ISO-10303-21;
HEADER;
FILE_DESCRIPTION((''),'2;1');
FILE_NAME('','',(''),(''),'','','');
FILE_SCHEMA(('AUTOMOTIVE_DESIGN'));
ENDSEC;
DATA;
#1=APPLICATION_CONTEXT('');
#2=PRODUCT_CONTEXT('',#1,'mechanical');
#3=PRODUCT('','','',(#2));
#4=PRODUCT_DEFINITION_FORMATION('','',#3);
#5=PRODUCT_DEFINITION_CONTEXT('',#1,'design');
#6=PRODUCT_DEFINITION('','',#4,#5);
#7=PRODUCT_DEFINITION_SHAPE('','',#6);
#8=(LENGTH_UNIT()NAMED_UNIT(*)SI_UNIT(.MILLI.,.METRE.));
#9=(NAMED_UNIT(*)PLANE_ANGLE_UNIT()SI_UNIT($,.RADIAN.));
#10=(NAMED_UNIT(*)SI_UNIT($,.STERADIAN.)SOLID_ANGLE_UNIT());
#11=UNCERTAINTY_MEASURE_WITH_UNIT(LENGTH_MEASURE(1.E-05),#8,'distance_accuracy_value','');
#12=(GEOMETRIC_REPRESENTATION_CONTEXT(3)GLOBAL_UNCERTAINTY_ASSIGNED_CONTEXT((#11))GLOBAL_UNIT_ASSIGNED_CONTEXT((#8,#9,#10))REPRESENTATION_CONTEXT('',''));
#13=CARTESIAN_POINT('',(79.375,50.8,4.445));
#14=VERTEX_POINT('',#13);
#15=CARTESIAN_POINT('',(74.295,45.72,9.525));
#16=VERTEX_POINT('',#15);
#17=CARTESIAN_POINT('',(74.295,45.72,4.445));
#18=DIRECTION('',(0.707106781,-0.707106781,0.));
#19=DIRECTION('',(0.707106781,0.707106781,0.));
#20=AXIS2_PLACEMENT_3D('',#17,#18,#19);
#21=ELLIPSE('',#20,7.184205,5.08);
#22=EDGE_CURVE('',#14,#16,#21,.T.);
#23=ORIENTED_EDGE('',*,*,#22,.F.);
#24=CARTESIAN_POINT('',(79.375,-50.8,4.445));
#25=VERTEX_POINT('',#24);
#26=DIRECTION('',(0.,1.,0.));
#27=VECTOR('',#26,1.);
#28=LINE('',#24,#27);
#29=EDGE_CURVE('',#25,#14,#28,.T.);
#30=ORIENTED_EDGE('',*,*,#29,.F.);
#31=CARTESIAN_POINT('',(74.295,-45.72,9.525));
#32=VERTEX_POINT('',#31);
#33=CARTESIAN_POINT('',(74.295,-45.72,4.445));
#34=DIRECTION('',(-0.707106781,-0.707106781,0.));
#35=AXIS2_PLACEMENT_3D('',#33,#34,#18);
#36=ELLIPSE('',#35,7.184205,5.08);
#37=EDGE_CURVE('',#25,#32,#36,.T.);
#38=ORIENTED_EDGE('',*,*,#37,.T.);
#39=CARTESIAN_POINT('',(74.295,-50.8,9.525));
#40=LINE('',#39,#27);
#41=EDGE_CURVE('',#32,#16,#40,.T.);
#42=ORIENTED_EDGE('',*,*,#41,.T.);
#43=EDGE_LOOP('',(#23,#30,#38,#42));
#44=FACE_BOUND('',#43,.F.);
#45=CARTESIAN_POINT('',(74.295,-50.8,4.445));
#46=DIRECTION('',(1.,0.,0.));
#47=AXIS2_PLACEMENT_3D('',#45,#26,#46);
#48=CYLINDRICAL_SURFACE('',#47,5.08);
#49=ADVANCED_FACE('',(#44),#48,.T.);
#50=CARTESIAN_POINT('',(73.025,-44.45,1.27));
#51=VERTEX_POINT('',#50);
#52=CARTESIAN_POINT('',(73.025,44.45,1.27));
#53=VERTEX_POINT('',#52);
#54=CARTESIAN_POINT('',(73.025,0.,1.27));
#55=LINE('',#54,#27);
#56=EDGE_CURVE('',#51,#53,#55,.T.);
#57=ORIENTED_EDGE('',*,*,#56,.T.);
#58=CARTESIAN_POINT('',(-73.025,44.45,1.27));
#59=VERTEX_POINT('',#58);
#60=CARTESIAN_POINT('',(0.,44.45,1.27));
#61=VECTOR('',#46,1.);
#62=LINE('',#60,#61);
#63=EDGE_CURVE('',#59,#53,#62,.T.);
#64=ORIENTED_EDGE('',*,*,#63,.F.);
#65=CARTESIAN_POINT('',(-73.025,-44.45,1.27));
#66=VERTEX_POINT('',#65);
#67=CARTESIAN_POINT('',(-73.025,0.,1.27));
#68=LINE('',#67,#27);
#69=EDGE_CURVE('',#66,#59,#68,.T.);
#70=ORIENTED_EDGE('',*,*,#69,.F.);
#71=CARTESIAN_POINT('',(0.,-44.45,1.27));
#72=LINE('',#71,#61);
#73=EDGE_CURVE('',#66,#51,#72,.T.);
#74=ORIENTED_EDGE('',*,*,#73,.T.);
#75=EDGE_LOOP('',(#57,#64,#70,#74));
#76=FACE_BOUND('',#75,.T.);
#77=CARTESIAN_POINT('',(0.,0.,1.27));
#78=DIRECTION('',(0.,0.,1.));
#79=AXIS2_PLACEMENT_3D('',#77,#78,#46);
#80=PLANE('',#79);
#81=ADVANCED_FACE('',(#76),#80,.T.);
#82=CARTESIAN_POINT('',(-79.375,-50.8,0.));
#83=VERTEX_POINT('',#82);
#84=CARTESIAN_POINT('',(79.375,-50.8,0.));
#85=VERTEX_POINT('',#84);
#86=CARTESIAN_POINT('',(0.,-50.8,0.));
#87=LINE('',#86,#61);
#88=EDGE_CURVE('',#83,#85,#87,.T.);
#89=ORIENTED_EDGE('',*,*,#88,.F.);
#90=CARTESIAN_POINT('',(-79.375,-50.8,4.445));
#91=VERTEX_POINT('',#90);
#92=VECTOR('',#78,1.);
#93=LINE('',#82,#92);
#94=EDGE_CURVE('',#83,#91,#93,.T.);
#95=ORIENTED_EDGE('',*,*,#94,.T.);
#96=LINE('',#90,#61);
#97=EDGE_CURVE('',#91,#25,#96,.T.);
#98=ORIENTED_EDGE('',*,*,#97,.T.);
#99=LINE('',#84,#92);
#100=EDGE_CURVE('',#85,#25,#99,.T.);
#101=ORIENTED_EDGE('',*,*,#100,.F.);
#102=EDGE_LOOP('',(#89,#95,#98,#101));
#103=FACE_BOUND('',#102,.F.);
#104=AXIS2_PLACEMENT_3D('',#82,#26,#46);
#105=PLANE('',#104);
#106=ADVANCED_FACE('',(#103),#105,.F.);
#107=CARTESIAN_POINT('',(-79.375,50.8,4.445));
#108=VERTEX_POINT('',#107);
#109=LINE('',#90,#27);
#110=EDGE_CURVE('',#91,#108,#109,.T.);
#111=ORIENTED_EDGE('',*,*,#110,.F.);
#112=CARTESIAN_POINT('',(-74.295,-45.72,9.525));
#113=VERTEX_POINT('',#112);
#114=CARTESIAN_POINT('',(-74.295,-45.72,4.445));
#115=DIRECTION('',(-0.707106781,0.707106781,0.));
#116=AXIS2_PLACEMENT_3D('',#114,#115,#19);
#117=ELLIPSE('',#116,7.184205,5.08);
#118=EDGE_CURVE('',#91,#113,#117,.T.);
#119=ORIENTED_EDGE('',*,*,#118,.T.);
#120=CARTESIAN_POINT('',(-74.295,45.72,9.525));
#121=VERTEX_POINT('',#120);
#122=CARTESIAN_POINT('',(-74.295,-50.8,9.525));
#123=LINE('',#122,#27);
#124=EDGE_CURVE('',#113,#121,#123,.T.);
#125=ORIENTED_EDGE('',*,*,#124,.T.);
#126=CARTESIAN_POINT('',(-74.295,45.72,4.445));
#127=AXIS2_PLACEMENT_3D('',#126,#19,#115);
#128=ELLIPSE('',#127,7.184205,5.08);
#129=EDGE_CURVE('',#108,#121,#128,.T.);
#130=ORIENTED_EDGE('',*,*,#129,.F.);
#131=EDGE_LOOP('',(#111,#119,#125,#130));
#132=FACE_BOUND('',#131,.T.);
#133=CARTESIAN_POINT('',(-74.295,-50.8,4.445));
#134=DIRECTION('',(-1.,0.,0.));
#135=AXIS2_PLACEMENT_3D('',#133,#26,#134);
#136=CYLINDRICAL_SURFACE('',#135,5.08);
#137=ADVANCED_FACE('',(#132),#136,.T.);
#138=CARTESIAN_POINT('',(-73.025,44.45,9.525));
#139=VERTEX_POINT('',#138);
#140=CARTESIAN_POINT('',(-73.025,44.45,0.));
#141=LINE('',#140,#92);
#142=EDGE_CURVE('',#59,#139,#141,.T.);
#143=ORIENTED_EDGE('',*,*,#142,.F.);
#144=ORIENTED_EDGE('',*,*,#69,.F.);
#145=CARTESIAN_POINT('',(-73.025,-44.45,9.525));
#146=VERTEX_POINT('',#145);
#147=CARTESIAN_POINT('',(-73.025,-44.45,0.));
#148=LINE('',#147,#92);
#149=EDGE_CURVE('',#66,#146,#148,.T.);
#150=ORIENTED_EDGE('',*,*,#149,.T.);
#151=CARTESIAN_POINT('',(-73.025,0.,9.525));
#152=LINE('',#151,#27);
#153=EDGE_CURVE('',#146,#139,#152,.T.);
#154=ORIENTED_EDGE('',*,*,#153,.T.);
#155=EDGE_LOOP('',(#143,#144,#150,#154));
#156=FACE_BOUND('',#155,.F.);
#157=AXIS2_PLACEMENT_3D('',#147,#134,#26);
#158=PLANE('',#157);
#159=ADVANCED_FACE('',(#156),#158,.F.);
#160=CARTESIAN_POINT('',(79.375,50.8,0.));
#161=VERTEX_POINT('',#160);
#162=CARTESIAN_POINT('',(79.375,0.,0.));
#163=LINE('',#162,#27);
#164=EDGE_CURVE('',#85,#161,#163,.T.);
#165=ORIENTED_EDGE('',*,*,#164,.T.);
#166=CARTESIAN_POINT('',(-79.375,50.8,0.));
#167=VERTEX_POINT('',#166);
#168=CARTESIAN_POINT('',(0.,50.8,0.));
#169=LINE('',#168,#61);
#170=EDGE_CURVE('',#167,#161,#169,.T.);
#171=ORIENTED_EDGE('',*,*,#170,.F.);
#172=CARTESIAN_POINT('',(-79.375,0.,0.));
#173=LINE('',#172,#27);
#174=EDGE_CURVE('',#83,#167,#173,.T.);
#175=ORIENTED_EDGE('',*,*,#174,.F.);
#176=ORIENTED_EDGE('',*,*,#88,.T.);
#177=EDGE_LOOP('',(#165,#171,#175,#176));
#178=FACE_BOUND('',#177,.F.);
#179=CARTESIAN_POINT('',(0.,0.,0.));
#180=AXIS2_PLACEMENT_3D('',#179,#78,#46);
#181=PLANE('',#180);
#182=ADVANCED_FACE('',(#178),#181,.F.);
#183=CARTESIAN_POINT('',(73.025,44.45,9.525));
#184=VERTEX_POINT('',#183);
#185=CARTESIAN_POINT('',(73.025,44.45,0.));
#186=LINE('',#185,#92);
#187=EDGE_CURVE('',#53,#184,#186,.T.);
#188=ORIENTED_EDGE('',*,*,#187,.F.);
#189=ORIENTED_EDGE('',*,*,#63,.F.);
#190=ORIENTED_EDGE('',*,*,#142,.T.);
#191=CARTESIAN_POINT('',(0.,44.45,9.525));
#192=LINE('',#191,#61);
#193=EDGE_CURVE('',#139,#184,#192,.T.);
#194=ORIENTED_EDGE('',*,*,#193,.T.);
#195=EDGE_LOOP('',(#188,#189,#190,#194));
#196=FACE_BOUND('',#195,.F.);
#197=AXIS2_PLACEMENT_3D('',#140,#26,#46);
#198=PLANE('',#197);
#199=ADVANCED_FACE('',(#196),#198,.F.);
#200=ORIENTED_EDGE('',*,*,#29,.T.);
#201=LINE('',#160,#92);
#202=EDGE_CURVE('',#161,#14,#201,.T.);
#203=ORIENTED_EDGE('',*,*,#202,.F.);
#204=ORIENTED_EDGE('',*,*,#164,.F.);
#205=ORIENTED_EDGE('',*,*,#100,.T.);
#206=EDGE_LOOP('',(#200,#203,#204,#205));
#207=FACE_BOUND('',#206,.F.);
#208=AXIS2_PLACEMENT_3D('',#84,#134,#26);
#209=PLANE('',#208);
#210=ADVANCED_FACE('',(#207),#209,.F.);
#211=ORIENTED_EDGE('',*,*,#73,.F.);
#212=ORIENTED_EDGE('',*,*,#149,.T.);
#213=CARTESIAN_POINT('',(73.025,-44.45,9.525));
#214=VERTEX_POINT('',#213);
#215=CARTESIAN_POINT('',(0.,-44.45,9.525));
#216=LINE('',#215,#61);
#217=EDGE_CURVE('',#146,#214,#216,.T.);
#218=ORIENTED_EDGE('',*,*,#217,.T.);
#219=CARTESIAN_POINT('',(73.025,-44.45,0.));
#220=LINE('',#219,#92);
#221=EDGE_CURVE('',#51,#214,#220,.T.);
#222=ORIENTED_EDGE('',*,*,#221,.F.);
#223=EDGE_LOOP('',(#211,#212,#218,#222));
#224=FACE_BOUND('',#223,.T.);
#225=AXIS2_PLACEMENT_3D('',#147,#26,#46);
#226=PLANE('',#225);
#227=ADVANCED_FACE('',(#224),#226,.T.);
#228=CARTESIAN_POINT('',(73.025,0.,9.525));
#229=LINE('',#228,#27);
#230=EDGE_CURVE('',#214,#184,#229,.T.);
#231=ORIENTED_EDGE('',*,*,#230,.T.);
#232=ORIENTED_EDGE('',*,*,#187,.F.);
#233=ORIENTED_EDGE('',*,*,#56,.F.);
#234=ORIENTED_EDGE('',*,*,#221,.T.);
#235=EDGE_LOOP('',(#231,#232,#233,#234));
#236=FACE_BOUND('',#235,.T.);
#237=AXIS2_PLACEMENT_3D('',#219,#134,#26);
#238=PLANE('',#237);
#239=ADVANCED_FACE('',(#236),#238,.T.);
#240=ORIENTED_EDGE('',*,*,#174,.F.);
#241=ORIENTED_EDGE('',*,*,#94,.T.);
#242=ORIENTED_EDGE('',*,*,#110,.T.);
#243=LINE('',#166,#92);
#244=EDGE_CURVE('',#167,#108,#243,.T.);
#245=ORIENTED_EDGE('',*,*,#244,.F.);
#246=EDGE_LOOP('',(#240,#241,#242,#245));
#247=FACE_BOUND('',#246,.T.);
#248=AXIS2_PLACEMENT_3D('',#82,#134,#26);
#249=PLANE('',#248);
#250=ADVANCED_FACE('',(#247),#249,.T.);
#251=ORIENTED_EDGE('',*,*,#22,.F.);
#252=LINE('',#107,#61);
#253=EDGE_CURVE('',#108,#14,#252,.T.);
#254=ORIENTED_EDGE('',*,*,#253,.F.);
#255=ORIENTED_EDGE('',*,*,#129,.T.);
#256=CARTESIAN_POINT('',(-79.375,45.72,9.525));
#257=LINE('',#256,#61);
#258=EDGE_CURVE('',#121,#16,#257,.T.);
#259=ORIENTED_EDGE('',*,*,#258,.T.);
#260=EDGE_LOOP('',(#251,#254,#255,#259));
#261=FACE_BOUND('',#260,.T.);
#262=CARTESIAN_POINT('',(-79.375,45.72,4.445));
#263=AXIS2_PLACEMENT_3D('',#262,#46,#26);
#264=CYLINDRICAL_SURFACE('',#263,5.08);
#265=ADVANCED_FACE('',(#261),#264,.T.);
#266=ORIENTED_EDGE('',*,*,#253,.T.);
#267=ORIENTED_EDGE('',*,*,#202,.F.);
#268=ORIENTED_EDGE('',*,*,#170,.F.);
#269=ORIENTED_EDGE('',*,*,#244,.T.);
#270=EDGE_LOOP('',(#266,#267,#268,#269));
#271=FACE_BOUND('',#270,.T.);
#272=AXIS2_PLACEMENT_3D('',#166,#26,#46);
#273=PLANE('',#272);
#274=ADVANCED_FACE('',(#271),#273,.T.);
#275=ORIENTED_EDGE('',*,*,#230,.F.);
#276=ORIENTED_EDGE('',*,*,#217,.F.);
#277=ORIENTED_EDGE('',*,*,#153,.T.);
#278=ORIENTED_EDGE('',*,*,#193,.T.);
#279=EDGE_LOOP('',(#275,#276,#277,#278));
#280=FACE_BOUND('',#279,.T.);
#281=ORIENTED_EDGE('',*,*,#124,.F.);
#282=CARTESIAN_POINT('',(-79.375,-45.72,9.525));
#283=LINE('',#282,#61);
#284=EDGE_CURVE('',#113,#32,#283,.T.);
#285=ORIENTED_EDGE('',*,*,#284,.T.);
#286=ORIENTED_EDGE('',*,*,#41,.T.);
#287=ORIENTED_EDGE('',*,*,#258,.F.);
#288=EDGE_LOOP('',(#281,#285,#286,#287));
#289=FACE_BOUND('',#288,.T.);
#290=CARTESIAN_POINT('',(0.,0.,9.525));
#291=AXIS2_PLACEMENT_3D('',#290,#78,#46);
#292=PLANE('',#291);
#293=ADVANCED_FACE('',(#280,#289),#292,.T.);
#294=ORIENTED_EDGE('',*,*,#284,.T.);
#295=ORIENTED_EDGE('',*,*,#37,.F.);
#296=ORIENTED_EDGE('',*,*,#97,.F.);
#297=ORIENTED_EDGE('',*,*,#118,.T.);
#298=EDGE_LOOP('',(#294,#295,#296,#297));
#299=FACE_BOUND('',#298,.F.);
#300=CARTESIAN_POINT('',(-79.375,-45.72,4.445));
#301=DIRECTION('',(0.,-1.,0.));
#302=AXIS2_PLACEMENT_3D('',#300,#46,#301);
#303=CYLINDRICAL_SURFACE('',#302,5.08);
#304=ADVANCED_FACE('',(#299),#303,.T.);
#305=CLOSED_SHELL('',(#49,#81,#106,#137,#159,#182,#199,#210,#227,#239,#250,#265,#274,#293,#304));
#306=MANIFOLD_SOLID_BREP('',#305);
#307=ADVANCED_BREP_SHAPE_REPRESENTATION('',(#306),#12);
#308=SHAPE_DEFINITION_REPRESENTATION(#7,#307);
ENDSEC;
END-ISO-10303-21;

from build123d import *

# Parameters (mm, degrees)
F0_W     = 158.75
F0_H     = 101.6
F0_W_2   = 146.05
F0_H_2   = 88.9
F1_DEPTH = 9.525
F2_R     = 5.08
F3_DEPTH = 1.27


with BuildPart() as f1:
    # F0 (on Top) → F1 (new body)
    with BuildSketch(Plane.XY):
        Rectangle(F0_W, F0_H)
        Rectangle(F0_W_2, F0_H_2, mode=Mode.SUBTRACT)
    extrude(amount=F1_DEPTH)

    # F2
    f2_edges = [f1.edges().sort_by_distance(p)[0] for p in [
        (-79.375, 0, 9.525),
        (0, -50.8, 9.525),
        (79.375, 0, 9.525),
        (0, 50.8, 9.525),
    ]]
    fillet(f2_edges, radius=F2_R)

    # F0 (on Top) → F3 (join)
    with BuildSketch(Plane.XY):
        Rectangle(F0_W_2, F0_H_2)
    extrude(amount=F3_DEPTH)


solid = f1.part
